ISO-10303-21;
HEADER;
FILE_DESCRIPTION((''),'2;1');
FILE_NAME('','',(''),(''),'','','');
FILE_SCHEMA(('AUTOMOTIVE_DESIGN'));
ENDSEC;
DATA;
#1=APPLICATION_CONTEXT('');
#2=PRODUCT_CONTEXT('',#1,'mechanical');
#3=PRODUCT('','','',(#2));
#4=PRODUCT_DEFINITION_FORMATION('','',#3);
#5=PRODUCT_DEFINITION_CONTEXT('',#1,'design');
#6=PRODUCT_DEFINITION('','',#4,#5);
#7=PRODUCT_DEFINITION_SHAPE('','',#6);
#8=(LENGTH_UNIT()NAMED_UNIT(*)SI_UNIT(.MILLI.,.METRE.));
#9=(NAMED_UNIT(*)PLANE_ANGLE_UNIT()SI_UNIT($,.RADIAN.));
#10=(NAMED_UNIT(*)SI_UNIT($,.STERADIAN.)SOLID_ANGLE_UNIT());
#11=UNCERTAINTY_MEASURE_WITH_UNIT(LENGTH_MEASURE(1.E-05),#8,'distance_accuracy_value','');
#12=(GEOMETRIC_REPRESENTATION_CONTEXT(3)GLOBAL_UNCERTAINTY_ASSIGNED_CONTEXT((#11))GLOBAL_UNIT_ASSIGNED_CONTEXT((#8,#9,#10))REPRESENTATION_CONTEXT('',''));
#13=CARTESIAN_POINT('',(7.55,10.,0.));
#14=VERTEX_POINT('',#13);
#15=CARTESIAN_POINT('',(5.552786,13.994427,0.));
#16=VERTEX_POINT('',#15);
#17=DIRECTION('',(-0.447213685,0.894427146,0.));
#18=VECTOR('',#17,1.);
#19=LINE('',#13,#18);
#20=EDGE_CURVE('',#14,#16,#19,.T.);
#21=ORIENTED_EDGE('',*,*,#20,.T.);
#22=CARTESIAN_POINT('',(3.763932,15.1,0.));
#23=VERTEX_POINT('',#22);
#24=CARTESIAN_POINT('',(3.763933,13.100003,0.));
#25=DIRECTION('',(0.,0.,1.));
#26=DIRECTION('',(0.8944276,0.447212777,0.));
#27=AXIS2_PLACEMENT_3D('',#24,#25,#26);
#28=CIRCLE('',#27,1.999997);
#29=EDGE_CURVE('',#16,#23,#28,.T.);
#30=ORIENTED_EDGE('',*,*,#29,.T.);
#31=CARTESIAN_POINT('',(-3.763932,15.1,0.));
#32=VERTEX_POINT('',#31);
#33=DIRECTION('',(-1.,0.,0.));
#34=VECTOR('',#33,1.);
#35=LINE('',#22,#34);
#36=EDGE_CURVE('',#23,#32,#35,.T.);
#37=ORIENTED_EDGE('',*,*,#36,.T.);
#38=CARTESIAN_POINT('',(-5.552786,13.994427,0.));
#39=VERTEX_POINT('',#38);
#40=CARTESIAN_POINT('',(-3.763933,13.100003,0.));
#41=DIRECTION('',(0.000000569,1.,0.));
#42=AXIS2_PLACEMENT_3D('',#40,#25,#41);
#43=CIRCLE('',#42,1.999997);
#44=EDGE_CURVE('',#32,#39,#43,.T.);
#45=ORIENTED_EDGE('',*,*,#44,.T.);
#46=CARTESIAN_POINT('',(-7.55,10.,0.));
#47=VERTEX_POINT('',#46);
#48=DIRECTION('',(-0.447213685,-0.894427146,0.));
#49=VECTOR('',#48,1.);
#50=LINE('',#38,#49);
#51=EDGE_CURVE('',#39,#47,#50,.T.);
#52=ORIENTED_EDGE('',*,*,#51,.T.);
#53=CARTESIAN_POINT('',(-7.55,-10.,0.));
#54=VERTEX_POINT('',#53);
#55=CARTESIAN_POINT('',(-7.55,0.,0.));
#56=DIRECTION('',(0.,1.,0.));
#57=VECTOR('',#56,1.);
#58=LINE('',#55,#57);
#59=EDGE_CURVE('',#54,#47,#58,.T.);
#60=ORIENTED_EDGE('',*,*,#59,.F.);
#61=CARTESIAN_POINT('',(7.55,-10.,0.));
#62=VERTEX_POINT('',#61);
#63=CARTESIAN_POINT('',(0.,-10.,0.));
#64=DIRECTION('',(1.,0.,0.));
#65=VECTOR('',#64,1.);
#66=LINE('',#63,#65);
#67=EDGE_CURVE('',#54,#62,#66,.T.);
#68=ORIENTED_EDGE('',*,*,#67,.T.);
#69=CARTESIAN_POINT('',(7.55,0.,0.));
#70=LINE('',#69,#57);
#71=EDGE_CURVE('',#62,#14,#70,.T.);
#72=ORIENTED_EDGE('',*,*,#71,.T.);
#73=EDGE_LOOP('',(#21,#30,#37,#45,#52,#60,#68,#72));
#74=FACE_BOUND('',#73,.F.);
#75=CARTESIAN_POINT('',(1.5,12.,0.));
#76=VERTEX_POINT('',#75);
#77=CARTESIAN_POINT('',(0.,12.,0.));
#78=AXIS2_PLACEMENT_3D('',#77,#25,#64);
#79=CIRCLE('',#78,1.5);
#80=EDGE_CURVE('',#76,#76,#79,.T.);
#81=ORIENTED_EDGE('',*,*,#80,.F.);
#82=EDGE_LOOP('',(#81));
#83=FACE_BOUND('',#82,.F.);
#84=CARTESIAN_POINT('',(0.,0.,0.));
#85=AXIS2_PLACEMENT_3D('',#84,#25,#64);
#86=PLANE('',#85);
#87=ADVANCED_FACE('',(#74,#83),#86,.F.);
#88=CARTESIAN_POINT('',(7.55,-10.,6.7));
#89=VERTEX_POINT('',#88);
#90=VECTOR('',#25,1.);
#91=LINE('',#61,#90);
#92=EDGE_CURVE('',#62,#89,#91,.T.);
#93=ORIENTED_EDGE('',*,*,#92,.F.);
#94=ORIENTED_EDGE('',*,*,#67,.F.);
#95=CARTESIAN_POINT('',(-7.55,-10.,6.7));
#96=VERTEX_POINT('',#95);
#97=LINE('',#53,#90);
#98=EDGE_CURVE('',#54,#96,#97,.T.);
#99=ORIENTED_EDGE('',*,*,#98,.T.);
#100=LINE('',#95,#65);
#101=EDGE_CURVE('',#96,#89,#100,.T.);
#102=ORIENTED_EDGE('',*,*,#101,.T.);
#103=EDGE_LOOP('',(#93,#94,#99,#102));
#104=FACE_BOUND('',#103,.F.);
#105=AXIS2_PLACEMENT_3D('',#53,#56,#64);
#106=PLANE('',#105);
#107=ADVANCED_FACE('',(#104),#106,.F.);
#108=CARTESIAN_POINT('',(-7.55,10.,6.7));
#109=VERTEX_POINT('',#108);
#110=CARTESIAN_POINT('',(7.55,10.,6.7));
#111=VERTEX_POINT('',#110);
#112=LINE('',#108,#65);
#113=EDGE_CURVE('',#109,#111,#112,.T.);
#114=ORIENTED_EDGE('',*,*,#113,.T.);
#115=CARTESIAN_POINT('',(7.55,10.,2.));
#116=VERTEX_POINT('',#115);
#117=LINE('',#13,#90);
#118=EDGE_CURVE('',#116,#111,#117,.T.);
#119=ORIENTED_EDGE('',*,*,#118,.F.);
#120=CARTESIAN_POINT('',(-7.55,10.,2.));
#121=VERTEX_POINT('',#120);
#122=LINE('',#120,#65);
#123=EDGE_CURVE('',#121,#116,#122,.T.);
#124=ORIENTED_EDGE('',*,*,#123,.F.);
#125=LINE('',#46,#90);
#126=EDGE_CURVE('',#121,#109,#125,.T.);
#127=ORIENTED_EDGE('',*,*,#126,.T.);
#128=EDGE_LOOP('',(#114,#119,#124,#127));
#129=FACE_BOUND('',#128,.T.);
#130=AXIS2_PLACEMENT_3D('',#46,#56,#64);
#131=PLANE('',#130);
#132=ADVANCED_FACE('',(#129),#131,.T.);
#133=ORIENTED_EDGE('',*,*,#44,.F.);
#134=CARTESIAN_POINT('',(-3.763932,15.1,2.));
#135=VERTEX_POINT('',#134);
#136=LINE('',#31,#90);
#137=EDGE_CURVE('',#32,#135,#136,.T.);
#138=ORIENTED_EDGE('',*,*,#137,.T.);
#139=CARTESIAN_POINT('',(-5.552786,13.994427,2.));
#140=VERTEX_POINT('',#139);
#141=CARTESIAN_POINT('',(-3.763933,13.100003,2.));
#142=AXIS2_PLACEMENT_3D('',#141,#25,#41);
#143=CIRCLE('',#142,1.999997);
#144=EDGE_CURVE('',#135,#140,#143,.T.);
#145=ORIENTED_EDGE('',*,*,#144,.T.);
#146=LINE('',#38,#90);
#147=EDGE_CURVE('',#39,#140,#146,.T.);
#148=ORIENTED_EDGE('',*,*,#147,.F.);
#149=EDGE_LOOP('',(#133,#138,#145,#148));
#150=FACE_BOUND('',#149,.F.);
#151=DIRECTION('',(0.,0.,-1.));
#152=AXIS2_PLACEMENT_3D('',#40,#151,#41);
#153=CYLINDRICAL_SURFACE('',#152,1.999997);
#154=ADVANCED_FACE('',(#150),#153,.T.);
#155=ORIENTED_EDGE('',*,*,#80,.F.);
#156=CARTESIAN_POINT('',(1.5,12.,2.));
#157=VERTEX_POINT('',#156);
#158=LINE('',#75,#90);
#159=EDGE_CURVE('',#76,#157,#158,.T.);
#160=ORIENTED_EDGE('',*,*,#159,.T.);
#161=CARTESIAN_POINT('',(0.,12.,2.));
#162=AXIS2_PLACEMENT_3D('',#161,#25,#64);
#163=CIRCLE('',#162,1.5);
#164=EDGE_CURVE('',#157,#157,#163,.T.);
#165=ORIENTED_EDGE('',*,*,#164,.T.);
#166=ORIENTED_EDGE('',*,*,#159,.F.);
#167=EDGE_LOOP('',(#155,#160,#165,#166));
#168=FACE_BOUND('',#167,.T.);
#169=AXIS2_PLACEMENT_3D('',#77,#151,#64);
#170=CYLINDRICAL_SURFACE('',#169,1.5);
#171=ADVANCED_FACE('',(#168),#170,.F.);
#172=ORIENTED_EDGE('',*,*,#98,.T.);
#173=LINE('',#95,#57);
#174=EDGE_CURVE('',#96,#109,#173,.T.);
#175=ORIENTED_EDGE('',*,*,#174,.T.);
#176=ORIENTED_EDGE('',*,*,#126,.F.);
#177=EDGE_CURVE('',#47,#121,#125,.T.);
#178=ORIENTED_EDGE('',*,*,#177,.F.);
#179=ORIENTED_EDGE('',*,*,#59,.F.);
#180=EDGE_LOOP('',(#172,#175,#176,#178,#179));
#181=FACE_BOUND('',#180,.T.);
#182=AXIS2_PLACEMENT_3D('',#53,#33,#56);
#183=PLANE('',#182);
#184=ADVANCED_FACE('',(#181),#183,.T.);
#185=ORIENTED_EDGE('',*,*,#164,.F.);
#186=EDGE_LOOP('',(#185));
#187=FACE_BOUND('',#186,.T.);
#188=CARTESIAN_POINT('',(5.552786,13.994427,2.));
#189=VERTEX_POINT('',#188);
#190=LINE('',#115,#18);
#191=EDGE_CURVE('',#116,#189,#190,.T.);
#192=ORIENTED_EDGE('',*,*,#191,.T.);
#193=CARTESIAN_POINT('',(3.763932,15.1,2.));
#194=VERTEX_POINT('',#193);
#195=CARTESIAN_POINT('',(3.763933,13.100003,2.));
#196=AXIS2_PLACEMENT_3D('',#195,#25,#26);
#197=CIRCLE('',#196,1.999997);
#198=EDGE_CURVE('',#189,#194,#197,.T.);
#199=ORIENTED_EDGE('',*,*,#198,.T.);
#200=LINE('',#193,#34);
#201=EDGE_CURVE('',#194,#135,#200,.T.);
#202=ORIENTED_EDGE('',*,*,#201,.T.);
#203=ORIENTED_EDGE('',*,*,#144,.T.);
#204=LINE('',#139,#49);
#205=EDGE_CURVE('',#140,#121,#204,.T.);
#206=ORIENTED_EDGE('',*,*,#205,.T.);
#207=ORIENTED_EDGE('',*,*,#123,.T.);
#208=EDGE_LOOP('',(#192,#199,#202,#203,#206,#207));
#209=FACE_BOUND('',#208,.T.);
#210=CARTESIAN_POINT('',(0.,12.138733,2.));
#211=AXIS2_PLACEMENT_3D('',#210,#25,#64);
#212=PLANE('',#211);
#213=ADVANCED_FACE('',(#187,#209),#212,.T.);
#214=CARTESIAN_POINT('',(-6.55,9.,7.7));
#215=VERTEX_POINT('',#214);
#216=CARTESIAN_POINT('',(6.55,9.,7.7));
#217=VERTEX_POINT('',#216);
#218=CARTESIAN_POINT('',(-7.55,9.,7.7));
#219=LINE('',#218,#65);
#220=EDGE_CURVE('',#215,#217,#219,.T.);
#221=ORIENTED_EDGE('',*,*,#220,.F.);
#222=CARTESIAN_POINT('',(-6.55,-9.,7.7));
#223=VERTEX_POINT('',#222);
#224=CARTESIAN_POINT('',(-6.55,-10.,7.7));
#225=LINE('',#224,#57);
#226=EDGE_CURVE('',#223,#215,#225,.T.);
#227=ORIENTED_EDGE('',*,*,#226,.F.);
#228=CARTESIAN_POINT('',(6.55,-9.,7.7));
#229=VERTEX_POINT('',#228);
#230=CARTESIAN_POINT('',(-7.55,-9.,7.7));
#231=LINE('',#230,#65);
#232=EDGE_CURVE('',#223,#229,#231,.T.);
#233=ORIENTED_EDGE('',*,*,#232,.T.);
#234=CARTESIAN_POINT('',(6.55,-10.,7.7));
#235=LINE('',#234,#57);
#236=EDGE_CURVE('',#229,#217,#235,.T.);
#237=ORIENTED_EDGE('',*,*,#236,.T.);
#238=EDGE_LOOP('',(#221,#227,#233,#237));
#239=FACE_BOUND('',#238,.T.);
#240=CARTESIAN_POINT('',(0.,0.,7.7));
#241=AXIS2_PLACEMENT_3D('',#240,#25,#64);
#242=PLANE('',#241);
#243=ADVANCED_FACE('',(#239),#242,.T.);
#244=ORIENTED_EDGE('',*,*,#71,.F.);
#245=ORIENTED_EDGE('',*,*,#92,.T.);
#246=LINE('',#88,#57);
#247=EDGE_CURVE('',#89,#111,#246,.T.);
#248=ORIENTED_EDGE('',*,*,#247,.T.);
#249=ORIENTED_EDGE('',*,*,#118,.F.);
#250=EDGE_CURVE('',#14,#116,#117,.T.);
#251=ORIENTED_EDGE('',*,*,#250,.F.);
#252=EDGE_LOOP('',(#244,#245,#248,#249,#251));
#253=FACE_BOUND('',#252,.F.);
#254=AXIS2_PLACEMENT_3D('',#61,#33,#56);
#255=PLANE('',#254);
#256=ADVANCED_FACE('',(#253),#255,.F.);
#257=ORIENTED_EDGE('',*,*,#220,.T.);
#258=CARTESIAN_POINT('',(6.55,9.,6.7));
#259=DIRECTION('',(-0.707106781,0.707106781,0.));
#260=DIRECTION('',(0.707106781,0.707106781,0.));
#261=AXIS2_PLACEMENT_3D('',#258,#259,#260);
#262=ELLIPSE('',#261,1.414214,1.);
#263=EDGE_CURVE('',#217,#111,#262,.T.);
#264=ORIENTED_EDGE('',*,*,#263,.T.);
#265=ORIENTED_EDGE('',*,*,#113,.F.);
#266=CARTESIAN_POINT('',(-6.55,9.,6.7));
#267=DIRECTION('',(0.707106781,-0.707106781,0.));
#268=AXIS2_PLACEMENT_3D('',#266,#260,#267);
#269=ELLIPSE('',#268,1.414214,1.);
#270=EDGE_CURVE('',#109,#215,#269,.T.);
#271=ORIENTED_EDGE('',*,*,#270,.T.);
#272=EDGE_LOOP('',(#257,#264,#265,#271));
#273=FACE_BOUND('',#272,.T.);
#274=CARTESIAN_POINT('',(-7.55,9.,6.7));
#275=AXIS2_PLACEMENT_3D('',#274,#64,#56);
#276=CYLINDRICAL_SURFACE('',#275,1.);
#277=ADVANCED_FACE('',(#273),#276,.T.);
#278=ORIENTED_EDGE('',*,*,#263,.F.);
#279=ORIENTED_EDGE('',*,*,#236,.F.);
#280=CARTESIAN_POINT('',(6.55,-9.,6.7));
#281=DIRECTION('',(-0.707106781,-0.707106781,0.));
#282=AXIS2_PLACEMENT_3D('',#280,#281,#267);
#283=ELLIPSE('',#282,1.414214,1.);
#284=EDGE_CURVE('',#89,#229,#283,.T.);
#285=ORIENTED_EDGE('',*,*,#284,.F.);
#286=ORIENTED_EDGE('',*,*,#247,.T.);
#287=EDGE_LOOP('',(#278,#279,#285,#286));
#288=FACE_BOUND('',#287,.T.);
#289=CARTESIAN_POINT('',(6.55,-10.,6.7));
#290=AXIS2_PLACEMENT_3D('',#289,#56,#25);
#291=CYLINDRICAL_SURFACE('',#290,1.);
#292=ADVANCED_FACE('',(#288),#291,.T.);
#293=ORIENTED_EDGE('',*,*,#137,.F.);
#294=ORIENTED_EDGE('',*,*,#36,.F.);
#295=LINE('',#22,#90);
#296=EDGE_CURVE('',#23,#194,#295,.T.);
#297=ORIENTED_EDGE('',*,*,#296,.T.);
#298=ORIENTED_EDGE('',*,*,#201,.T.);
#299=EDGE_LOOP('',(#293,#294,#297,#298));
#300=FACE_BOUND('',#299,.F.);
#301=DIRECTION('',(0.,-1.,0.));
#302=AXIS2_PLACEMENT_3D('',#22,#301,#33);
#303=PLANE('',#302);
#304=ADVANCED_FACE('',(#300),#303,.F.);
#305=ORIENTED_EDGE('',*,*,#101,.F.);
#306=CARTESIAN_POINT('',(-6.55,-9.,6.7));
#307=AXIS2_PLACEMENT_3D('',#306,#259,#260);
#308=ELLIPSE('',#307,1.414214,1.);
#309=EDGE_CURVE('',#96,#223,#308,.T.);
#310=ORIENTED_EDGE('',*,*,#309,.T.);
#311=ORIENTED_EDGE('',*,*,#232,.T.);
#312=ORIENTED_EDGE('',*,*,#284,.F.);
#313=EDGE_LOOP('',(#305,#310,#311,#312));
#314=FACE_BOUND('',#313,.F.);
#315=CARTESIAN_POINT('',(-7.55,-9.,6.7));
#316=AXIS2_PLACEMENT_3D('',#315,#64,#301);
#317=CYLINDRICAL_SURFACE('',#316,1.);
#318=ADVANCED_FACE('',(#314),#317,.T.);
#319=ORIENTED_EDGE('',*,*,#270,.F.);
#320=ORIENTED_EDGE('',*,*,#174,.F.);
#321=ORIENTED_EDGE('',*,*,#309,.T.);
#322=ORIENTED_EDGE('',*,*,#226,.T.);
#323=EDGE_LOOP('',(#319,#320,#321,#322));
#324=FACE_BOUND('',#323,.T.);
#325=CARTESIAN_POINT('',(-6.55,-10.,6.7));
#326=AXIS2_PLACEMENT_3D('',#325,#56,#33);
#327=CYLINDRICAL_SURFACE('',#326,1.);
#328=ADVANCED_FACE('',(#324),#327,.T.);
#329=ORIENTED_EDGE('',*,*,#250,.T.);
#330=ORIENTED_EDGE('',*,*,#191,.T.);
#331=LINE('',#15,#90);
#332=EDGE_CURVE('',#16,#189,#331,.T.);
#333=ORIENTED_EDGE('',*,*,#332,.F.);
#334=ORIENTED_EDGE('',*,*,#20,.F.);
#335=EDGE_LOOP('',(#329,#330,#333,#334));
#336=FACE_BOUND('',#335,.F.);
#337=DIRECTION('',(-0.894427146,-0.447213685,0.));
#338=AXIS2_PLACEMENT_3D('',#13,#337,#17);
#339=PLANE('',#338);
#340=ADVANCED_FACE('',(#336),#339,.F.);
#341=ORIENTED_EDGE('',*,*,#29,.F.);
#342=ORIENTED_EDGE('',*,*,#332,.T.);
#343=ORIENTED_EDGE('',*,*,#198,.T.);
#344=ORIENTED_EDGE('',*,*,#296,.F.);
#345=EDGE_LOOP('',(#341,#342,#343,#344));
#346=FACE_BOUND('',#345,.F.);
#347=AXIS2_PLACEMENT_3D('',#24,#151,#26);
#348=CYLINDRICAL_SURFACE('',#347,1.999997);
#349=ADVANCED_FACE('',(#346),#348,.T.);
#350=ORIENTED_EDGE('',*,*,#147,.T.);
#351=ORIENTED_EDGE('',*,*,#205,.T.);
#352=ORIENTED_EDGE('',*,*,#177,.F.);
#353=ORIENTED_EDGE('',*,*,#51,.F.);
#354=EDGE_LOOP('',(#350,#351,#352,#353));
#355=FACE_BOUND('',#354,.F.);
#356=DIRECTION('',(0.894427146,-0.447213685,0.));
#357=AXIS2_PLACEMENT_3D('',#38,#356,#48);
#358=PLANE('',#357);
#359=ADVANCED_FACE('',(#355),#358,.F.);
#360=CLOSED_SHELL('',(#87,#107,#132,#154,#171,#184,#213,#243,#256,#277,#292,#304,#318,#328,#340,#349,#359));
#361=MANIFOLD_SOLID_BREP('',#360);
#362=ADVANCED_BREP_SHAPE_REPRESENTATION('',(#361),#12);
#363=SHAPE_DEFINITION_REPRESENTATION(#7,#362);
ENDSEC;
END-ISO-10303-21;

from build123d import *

# Parameters (mm, degrees)
F0_R     = 1.5
F1_DEPTH = 2
F0_W     = 15.1
F0_H     = 20
F2_DEPTH = 7.7
F3_R     = 1


with BuildPart() as f1:
    # F0 (on Top) → F1 (new body)
    with BuildSketch(Plane.XY):
        with BuildLine():
            Line((-7.55, 10), (7.55, 10))
            Line((7.55, 10), (5.552786, 13.994427))
            ThreePointArc((5.552786, 13.994427), (4.815394, 14.801302), (3.763932, 15.1))
            Line((3.763932, 15.1), (-3.763932, 15.1))
            ThreePointArc((-3.763932, 15.1), (-4.815394, 14.801302), (-5.552786, 13.994427))
            Line((-5.552786, 13.994427), (-7.55, 10))
        make_face()
        with Locations((0, 12)):
            Circle(F0_R, mode=Mode.SUBTRACT)
    extrude(amount=F1_DEPTH)

    # F0 (on Top) → F2 (join)
    with BuildSketch(Plane.XY):
        Rectangle(F0_W, F0_H)
    extrude(amount=F2_DEPTH)

    # F3
    f3_edges = [f1.edges().sort_by_distance(p)[0] for p in [
        (0, -10, 7.7),
        (7.55, 0, 7.7),
        (0, 10, 7.7),
        (-7.55, 0, 7.7),
    ]]
    fillet(f3_edges, radius=F3_R)


solid = f1.part
